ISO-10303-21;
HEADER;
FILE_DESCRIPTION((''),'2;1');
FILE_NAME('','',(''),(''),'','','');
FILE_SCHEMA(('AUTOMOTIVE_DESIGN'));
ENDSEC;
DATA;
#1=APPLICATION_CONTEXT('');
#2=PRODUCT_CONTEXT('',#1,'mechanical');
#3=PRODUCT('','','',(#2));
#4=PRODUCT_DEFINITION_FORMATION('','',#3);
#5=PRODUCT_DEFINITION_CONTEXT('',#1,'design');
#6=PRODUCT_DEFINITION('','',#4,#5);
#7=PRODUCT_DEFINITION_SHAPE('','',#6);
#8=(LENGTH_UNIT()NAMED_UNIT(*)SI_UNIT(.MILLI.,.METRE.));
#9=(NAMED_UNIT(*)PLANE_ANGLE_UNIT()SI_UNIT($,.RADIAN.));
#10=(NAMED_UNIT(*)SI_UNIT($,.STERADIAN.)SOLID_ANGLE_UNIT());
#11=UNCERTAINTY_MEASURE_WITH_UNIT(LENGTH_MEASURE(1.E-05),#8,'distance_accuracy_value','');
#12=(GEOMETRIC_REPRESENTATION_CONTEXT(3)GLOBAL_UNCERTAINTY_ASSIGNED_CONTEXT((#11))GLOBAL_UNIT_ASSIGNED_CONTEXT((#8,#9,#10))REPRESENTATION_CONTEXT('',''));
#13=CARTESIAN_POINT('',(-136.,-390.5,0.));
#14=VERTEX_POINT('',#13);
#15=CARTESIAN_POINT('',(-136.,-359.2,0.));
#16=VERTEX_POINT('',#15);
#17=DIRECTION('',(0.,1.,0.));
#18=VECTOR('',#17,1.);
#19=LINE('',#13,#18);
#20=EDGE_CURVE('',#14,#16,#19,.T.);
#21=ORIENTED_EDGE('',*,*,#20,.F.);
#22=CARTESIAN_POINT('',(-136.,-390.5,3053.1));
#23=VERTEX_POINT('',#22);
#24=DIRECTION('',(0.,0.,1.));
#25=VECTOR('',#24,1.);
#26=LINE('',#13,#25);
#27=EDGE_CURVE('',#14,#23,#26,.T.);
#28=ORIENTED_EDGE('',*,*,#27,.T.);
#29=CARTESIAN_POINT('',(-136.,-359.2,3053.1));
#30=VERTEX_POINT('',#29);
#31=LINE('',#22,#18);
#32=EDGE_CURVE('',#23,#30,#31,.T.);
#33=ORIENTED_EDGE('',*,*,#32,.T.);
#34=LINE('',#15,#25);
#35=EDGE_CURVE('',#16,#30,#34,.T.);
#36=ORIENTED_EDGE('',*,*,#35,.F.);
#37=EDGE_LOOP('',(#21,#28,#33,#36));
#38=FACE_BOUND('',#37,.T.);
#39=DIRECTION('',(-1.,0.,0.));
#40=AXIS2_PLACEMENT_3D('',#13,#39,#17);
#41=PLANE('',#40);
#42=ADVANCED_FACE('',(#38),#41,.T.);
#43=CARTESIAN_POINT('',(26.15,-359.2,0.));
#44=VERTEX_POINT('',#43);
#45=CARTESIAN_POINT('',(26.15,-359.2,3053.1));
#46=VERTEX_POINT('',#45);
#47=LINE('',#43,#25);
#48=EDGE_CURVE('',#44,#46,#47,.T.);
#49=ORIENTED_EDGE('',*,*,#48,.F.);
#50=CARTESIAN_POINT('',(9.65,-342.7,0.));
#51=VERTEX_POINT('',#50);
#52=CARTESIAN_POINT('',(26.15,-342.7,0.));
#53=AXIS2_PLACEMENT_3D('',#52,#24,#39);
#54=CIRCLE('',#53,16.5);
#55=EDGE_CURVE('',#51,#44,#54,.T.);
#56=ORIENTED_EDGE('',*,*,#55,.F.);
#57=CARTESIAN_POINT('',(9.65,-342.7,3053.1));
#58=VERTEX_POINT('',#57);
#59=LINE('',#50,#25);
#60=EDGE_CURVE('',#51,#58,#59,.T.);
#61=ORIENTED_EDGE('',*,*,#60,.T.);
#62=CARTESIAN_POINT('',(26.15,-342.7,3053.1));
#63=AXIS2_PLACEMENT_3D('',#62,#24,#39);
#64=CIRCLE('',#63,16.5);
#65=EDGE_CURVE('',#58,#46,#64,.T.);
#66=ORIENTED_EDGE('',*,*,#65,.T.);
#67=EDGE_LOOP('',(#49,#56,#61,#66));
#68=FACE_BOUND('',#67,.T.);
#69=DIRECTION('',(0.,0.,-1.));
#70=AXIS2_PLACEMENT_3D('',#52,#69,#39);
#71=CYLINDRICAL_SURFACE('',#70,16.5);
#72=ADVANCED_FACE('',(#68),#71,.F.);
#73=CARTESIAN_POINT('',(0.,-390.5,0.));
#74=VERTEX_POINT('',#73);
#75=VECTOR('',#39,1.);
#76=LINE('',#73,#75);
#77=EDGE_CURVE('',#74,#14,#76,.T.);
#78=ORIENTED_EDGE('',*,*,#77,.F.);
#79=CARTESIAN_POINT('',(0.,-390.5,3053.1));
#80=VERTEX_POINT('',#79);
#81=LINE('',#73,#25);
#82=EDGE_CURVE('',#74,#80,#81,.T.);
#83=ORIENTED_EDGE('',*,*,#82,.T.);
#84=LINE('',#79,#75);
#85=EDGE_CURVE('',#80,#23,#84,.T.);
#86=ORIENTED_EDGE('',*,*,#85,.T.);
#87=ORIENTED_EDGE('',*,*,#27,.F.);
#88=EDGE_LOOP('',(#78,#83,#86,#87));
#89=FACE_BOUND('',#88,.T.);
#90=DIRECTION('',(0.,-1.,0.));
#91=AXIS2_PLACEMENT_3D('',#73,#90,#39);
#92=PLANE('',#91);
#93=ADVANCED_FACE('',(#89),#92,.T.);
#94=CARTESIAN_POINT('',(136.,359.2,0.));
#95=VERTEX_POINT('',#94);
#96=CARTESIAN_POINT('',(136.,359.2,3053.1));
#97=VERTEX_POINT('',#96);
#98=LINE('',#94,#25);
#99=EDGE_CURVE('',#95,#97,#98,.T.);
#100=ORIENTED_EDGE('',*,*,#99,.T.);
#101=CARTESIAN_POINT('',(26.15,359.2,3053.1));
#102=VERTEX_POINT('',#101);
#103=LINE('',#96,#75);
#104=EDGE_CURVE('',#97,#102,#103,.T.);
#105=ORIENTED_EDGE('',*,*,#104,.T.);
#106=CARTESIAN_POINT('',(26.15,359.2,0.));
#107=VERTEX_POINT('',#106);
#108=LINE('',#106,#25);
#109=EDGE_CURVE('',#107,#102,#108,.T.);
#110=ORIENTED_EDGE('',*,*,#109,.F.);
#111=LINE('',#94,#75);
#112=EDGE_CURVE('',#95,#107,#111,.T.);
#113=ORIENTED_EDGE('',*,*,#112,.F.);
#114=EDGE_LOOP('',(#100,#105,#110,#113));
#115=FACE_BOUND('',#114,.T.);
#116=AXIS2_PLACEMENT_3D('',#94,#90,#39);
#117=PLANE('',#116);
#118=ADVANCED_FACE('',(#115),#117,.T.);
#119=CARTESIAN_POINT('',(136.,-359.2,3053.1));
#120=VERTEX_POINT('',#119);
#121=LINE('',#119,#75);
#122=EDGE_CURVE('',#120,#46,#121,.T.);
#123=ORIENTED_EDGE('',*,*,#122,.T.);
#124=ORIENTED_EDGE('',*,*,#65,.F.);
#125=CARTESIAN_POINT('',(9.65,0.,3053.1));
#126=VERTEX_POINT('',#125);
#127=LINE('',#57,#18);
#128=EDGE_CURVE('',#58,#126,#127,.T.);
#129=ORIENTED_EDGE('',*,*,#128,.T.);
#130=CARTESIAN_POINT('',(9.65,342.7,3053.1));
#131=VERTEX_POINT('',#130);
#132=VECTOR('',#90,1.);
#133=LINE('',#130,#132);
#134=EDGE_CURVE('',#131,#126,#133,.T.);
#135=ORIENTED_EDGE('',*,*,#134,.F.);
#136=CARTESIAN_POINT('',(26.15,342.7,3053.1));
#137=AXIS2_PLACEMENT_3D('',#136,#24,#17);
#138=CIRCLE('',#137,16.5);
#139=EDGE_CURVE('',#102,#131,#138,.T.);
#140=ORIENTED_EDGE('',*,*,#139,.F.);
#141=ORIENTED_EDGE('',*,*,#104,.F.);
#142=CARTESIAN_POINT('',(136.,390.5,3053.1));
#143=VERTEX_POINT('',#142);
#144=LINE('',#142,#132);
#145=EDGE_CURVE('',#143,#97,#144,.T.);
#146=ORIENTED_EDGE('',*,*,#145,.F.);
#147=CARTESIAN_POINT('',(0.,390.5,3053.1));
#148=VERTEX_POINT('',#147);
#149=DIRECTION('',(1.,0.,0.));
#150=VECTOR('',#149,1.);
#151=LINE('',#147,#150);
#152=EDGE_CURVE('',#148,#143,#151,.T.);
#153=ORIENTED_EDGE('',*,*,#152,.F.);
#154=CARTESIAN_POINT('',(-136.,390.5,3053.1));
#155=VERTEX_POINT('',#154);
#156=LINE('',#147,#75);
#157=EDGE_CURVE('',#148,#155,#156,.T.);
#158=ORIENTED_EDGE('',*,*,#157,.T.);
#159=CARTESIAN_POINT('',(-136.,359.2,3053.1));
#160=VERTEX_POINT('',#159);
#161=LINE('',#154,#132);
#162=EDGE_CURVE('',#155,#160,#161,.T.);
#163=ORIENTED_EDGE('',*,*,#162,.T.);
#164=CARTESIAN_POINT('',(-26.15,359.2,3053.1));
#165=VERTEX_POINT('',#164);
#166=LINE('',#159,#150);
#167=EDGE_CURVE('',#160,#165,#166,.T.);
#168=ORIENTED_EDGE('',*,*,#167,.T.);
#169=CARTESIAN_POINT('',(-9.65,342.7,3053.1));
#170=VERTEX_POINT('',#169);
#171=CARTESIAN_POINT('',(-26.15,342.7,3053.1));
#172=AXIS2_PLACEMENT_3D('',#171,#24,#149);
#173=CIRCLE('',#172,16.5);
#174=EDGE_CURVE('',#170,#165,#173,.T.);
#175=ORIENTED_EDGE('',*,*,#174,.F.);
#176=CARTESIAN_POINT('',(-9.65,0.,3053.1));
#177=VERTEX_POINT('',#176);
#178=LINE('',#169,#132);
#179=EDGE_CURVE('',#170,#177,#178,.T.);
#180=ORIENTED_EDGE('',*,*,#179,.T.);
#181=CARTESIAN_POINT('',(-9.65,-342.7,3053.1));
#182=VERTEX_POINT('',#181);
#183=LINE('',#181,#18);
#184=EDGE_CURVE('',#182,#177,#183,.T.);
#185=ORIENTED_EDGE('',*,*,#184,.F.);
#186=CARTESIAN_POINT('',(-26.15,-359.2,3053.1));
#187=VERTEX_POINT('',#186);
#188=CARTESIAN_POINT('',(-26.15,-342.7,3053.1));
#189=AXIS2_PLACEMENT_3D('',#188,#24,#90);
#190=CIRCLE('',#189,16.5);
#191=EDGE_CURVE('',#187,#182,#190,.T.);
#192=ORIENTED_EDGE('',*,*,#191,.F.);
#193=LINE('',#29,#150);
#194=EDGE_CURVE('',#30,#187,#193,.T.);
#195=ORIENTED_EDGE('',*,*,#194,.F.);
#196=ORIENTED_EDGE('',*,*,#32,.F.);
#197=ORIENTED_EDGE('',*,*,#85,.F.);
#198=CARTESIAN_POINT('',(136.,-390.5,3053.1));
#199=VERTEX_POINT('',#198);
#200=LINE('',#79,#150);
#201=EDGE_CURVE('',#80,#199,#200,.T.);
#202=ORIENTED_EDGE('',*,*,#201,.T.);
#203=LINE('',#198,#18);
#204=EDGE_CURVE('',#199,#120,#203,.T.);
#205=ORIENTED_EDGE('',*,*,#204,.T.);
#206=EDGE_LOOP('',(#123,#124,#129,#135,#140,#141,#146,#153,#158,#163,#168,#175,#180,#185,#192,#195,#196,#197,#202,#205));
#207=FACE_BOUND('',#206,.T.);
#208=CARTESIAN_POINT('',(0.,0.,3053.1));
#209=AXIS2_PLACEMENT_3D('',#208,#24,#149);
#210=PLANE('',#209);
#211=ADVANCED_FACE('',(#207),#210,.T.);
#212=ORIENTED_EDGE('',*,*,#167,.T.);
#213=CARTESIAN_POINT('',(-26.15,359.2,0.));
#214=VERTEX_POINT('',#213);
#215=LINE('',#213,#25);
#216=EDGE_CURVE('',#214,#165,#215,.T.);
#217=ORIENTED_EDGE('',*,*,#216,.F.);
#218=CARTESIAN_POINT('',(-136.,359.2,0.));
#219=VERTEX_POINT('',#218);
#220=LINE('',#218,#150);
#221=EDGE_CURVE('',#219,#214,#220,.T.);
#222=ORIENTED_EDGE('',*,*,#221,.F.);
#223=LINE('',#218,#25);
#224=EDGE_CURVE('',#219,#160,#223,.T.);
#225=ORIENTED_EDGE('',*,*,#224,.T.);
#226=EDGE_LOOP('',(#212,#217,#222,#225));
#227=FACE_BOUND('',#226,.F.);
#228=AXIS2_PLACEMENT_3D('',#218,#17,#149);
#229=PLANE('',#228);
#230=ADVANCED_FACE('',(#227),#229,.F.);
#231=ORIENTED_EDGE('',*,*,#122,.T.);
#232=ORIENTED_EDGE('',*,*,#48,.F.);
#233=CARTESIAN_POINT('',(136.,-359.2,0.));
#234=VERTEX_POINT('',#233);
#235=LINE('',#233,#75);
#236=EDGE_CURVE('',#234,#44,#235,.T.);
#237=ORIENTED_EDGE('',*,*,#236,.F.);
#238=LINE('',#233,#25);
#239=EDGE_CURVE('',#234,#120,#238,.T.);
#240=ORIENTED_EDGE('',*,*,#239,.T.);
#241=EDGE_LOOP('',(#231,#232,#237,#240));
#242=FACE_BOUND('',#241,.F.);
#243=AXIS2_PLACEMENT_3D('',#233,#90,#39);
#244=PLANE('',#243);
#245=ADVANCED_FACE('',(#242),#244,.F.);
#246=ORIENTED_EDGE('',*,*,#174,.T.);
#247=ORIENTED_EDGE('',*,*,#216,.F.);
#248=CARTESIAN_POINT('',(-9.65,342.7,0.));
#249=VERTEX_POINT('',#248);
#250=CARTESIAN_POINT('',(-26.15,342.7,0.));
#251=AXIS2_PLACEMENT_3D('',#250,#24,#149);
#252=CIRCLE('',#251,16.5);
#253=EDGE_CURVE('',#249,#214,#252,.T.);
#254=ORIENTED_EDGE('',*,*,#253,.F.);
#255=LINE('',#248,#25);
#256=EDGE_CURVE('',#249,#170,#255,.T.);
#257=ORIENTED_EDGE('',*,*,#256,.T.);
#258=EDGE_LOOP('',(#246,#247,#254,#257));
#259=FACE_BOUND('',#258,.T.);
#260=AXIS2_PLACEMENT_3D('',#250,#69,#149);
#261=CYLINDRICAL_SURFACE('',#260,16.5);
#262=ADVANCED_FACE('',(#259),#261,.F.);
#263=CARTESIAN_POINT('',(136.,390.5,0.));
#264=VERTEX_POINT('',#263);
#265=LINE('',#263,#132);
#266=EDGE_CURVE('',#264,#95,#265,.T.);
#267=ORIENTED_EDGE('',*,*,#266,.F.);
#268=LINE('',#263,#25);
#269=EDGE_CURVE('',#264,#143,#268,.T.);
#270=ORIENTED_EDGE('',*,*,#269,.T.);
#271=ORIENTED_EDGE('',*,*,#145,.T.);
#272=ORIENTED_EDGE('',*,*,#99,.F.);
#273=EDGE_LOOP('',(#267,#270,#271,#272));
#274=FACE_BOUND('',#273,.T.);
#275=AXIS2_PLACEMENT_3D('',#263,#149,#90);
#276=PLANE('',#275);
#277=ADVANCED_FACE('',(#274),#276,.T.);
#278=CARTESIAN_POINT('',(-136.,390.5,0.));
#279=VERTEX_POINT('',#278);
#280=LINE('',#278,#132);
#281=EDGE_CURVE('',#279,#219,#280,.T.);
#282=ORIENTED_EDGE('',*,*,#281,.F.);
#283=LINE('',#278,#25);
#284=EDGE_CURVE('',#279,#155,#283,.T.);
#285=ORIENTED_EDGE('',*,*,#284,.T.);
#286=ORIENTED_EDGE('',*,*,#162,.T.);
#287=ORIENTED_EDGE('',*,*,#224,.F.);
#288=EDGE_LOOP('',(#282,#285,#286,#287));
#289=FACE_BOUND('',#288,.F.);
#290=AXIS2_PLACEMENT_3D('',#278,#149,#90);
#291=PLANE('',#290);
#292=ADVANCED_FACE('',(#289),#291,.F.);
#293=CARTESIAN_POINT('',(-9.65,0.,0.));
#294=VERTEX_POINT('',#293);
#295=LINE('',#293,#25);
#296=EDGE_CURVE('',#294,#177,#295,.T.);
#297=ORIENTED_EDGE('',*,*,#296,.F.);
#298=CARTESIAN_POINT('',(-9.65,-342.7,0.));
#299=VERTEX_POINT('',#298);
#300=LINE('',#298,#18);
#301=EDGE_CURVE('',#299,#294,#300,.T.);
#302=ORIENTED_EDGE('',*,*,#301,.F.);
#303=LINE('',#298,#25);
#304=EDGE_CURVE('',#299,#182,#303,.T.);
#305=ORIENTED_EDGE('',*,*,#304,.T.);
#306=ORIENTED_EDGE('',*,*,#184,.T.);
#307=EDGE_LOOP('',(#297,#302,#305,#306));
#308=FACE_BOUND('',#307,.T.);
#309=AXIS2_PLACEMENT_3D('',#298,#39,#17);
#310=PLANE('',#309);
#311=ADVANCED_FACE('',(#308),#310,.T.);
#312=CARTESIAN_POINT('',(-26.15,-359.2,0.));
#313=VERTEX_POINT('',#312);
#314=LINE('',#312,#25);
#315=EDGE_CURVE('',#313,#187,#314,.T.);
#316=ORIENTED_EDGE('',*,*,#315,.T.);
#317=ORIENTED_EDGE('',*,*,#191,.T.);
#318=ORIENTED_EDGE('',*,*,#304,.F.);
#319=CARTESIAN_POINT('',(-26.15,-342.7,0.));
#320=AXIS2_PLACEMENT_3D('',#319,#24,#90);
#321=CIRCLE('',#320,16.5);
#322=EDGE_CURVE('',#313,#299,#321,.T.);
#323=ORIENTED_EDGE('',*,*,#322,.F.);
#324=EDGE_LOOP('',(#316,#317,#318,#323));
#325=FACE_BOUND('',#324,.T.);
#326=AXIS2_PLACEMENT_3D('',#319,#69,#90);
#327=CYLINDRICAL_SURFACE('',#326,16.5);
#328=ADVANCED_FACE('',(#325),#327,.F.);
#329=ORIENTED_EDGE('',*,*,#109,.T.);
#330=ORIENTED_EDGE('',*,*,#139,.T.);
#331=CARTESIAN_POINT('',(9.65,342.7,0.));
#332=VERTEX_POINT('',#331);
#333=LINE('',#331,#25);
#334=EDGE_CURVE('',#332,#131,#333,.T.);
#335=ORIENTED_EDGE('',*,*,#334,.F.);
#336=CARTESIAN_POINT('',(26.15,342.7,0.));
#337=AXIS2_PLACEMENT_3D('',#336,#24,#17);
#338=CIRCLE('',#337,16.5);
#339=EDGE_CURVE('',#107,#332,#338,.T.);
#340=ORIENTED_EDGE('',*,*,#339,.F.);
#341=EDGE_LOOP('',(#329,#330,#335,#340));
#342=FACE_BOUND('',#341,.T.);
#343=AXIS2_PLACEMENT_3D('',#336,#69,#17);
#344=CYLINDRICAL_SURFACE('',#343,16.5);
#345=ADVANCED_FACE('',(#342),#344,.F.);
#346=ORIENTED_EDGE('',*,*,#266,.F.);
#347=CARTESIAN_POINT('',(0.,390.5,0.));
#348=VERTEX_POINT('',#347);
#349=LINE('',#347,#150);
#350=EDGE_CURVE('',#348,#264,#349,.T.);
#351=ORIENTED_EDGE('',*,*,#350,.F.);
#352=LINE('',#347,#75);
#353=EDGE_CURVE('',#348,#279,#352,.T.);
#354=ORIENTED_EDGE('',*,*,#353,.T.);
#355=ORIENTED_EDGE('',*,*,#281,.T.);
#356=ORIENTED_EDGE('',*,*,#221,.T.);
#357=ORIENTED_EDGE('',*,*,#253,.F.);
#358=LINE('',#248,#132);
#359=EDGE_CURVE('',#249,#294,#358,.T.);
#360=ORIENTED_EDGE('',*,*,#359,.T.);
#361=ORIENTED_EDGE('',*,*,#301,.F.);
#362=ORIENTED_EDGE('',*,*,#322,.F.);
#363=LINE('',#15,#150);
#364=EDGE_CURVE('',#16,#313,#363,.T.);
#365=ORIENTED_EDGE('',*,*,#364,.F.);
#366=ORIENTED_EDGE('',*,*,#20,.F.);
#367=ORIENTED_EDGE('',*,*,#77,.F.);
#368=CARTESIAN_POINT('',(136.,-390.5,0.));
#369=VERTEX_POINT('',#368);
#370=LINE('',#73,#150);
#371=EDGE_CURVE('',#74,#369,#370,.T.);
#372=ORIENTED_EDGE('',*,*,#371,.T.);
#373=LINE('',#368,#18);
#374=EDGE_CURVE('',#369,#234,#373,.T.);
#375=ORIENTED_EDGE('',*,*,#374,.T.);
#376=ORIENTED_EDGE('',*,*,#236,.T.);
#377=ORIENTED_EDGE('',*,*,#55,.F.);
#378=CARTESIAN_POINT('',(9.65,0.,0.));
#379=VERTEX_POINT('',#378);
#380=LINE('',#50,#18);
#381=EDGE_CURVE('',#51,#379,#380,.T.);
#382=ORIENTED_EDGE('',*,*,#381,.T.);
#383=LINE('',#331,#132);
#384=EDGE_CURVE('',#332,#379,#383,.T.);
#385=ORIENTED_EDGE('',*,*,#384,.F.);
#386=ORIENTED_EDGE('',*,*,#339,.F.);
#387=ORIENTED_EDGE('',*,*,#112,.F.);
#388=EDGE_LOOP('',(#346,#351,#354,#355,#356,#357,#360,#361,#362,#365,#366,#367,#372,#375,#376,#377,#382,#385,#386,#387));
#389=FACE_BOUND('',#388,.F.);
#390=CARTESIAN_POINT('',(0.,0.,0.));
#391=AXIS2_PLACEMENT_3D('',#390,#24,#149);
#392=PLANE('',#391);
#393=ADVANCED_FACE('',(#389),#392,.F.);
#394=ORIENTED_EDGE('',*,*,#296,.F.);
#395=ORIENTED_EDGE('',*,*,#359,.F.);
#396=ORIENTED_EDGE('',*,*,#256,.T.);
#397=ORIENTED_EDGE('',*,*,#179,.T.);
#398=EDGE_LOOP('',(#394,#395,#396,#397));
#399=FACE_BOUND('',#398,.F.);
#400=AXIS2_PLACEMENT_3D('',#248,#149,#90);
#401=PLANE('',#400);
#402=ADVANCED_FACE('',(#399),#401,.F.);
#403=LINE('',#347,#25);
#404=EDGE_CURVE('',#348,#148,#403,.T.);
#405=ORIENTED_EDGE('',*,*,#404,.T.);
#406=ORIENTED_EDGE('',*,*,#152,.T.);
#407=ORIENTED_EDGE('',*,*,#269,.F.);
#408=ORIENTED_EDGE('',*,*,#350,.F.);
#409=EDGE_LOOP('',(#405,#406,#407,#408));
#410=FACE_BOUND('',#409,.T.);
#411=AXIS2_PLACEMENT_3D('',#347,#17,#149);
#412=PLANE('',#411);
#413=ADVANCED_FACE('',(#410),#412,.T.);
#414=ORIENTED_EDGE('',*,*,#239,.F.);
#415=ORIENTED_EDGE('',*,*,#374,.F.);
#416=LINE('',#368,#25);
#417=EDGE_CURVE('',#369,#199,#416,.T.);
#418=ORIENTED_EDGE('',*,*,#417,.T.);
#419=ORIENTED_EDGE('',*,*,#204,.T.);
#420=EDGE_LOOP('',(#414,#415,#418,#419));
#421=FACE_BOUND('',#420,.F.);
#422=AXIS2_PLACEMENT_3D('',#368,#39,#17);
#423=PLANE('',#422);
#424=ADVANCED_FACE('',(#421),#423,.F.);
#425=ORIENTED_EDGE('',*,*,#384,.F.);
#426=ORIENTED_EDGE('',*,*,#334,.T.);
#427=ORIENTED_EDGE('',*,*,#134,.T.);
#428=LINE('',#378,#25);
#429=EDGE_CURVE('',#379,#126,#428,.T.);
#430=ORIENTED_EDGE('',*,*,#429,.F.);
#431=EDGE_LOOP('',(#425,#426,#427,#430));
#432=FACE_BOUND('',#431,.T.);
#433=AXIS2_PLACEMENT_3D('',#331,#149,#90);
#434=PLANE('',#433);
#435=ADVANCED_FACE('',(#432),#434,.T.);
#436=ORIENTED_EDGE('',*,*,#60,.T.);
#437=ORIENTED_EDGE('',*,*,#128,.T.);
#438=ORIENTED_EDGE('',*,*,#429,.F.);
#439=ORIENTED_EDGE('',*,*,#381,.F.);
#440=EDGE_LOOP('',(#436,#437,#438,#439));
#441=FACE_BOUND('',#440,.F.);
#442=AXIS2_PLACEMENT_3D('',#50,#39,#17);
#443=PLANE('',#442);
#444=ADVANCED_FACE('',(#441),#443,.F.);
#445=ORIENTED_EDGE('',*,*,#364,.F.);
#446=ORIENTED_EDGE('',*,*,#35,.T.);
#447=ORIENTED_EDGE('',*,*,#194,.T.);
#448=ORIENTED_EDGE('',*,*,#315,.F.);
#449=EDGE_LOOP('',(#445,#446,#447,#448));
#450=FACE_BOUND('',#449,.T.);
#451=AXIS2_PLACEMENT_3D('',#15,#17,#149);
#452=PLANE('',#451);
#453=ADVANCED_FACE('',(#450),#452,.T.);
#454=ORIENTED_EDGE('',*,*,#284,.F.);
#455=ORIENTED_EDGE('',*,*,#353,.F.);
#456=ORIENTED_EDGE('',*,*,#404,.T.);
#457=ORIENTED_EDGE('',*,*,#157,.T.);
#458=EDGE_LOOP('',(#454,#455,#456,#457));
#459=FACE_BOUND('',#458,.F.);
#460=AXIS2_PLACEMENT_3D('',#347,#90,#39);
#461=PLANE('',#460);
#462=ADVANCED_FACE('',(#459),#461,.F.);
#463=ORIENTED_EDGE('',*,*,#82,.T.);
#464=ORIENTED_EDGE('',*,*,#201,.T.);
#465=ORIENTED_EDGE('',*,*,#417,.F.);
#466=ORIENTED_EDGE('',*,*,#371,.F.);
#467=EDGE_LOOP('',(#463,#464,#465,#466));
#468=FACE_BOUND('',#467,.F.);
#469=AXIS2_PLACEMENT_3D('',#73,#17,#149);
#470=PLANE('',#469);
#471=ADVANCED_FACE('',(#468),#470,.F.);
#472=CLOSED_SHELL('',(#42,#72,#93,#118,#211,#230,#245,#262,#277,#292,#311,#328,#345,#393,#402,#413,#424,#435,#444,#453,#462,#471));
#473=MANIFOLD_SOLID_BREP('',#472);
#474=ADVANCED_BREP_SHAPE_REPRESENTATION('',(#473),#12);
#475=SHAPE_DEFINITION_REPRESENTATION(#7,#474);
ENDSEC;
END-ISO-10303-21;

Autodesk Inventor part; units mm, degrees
ref_plane "YZ Plane" through (0, 0, 0) normal (1, 0, 0) x (0, 1, 0)
ref_plane "Start plane" through (0, 0, 0) normal (0, 0, 1) x (1, 0, 0)
ref_plane "End plane" through (0, 0, 3053.1) normal (0, 0, 1) x (1, 0, 0)
sketch "Sketch" plane through (0, 0, 0) normal (0, 0, 1) x (1, 0, 0)
  line L0 (-136, -390.5) -> (-136, -359.2)
  line L1 (-136, -359.2) -> (-26.15, -359.2)
  line L2 (-9.65, -342.7) -> (-9.65, 0)
  line L3 (-9.65, 0) -> (0, 0) construction
  line L4 (0, 0) -> (0, -390.5) construction
  line L5 (0, -390.5) -> (-136, -390.5)
  line L6 (-60, 0) -> (80, 0) construction
  line L7 (0, -60) -> (0, 80) construction
  line L8 (136, -390.5) -> (136, -359.2)
  line L9 (136, -359.2) -> (26.15, -359.2)
  line L10 (9.65, -342.7) -> (9.65, 0)
  line L11 (9.65, 0) -> (0, 0) construction
  line L12 (0, -390.5) -> (136, -390.5)
  line L13 (-136, 390.5) -> (-136, 359.2)
  line L14 (-136, 359.2) -> (-26.15, 359.2)
  line L15 (-9.65, 342.7) -> (-9.65, 0)
  line L16 (0, 390.5) -> (-136, 390.5)
  line L17 (136, 390.5) -> (136, 359.2)
  line L18 (136, 359.2) -> (26.15, 359.2)
  line L19 (0, 390.5) -> (136, 390.5)
  line L20 (9.65, 342.7) -> (9.65, 0)
  arc A0 (-9.65, 342.7) -> (-26.15, 359.2) centre (-26.15, 342.7) ccw
  arc A1 (26.15, 359.2) -> (9.65, 342.7) centre (26.15, 342.7) ccw
  arc A2 (9.65, -342.7) -> (26.15, -359.2) centre (26.15, -342.7) ccw
  arc A3 (-26.15, -359.2) -> (-9.65, -342.7) centre (-26.15, -342.7) ccw
  line L21 (0, 108) -> (0, -88) construction
  line L22 (-88, 0) -> (108, 0) construction
  point P0 (-9.65, -359.2)
  point P1 (9.65, -359.2)
  point P2 (-9.65, 359.2)
  point P3 (9.65, 359.2)
  dimension "d1" = 390.5
  dimension "d2" = 31.3
  dimension "d3" = 136
  dimension "d4" = 9.65
  dimension "d10" = 16.5
extrude "Body" add sketch "Sketch" along normal up to surface (3053.1 mm away) from surface at 0
sketch "Sketch4" plane through (0, 0, 0) normal (0, 0, 1) x (1, 0, 0)
  line L0 (0, 0) -> (10, 0)
ref_plane "Work Plane3" through (0, 0, 0) normal (0, -1, 0) x (1, 0, 0)
sketch "Sketch5" plane through (0, 0, 0) normal (0, -1, 0) x (1, 0, 0)
  line L0 (-2, 0) -> (12, 0) projected
  line L1 (-2, 3053.1) -> (12, 3053.1) projected
  dimension "d14" = 3053.1
equation "\"d1\" = 0.5 * G_H"
equation "\"d2\" = G_T1"
equation "\"d3\" = 0.5 * G_W"
equation "\"d4\" = 0.5 * G_T"
equation "\"d10\" = G_IR"
equation "\"d5\" = G_L"
equation "\"G_W\" = 272"
equation "\"G_H\" = 781"
equation "\"G_T\" = 19.3"
equation "\"G_T1\" = 31.3"
equation "\"G_IR\" = 16.5"
equation "\"G_L\" = d14"
equation "\"G_OFFSET_START\" = 0"
equation "\"G_OFFSET_END\" = 0"
equation "\"d12\" = G_OFFSET_END + B_L"
equation "\"B_L\" = 3053.1"
properties part number "AS 3679-1990 - 760 UB - 244 - 3053.1" material "Steel, Mild"
